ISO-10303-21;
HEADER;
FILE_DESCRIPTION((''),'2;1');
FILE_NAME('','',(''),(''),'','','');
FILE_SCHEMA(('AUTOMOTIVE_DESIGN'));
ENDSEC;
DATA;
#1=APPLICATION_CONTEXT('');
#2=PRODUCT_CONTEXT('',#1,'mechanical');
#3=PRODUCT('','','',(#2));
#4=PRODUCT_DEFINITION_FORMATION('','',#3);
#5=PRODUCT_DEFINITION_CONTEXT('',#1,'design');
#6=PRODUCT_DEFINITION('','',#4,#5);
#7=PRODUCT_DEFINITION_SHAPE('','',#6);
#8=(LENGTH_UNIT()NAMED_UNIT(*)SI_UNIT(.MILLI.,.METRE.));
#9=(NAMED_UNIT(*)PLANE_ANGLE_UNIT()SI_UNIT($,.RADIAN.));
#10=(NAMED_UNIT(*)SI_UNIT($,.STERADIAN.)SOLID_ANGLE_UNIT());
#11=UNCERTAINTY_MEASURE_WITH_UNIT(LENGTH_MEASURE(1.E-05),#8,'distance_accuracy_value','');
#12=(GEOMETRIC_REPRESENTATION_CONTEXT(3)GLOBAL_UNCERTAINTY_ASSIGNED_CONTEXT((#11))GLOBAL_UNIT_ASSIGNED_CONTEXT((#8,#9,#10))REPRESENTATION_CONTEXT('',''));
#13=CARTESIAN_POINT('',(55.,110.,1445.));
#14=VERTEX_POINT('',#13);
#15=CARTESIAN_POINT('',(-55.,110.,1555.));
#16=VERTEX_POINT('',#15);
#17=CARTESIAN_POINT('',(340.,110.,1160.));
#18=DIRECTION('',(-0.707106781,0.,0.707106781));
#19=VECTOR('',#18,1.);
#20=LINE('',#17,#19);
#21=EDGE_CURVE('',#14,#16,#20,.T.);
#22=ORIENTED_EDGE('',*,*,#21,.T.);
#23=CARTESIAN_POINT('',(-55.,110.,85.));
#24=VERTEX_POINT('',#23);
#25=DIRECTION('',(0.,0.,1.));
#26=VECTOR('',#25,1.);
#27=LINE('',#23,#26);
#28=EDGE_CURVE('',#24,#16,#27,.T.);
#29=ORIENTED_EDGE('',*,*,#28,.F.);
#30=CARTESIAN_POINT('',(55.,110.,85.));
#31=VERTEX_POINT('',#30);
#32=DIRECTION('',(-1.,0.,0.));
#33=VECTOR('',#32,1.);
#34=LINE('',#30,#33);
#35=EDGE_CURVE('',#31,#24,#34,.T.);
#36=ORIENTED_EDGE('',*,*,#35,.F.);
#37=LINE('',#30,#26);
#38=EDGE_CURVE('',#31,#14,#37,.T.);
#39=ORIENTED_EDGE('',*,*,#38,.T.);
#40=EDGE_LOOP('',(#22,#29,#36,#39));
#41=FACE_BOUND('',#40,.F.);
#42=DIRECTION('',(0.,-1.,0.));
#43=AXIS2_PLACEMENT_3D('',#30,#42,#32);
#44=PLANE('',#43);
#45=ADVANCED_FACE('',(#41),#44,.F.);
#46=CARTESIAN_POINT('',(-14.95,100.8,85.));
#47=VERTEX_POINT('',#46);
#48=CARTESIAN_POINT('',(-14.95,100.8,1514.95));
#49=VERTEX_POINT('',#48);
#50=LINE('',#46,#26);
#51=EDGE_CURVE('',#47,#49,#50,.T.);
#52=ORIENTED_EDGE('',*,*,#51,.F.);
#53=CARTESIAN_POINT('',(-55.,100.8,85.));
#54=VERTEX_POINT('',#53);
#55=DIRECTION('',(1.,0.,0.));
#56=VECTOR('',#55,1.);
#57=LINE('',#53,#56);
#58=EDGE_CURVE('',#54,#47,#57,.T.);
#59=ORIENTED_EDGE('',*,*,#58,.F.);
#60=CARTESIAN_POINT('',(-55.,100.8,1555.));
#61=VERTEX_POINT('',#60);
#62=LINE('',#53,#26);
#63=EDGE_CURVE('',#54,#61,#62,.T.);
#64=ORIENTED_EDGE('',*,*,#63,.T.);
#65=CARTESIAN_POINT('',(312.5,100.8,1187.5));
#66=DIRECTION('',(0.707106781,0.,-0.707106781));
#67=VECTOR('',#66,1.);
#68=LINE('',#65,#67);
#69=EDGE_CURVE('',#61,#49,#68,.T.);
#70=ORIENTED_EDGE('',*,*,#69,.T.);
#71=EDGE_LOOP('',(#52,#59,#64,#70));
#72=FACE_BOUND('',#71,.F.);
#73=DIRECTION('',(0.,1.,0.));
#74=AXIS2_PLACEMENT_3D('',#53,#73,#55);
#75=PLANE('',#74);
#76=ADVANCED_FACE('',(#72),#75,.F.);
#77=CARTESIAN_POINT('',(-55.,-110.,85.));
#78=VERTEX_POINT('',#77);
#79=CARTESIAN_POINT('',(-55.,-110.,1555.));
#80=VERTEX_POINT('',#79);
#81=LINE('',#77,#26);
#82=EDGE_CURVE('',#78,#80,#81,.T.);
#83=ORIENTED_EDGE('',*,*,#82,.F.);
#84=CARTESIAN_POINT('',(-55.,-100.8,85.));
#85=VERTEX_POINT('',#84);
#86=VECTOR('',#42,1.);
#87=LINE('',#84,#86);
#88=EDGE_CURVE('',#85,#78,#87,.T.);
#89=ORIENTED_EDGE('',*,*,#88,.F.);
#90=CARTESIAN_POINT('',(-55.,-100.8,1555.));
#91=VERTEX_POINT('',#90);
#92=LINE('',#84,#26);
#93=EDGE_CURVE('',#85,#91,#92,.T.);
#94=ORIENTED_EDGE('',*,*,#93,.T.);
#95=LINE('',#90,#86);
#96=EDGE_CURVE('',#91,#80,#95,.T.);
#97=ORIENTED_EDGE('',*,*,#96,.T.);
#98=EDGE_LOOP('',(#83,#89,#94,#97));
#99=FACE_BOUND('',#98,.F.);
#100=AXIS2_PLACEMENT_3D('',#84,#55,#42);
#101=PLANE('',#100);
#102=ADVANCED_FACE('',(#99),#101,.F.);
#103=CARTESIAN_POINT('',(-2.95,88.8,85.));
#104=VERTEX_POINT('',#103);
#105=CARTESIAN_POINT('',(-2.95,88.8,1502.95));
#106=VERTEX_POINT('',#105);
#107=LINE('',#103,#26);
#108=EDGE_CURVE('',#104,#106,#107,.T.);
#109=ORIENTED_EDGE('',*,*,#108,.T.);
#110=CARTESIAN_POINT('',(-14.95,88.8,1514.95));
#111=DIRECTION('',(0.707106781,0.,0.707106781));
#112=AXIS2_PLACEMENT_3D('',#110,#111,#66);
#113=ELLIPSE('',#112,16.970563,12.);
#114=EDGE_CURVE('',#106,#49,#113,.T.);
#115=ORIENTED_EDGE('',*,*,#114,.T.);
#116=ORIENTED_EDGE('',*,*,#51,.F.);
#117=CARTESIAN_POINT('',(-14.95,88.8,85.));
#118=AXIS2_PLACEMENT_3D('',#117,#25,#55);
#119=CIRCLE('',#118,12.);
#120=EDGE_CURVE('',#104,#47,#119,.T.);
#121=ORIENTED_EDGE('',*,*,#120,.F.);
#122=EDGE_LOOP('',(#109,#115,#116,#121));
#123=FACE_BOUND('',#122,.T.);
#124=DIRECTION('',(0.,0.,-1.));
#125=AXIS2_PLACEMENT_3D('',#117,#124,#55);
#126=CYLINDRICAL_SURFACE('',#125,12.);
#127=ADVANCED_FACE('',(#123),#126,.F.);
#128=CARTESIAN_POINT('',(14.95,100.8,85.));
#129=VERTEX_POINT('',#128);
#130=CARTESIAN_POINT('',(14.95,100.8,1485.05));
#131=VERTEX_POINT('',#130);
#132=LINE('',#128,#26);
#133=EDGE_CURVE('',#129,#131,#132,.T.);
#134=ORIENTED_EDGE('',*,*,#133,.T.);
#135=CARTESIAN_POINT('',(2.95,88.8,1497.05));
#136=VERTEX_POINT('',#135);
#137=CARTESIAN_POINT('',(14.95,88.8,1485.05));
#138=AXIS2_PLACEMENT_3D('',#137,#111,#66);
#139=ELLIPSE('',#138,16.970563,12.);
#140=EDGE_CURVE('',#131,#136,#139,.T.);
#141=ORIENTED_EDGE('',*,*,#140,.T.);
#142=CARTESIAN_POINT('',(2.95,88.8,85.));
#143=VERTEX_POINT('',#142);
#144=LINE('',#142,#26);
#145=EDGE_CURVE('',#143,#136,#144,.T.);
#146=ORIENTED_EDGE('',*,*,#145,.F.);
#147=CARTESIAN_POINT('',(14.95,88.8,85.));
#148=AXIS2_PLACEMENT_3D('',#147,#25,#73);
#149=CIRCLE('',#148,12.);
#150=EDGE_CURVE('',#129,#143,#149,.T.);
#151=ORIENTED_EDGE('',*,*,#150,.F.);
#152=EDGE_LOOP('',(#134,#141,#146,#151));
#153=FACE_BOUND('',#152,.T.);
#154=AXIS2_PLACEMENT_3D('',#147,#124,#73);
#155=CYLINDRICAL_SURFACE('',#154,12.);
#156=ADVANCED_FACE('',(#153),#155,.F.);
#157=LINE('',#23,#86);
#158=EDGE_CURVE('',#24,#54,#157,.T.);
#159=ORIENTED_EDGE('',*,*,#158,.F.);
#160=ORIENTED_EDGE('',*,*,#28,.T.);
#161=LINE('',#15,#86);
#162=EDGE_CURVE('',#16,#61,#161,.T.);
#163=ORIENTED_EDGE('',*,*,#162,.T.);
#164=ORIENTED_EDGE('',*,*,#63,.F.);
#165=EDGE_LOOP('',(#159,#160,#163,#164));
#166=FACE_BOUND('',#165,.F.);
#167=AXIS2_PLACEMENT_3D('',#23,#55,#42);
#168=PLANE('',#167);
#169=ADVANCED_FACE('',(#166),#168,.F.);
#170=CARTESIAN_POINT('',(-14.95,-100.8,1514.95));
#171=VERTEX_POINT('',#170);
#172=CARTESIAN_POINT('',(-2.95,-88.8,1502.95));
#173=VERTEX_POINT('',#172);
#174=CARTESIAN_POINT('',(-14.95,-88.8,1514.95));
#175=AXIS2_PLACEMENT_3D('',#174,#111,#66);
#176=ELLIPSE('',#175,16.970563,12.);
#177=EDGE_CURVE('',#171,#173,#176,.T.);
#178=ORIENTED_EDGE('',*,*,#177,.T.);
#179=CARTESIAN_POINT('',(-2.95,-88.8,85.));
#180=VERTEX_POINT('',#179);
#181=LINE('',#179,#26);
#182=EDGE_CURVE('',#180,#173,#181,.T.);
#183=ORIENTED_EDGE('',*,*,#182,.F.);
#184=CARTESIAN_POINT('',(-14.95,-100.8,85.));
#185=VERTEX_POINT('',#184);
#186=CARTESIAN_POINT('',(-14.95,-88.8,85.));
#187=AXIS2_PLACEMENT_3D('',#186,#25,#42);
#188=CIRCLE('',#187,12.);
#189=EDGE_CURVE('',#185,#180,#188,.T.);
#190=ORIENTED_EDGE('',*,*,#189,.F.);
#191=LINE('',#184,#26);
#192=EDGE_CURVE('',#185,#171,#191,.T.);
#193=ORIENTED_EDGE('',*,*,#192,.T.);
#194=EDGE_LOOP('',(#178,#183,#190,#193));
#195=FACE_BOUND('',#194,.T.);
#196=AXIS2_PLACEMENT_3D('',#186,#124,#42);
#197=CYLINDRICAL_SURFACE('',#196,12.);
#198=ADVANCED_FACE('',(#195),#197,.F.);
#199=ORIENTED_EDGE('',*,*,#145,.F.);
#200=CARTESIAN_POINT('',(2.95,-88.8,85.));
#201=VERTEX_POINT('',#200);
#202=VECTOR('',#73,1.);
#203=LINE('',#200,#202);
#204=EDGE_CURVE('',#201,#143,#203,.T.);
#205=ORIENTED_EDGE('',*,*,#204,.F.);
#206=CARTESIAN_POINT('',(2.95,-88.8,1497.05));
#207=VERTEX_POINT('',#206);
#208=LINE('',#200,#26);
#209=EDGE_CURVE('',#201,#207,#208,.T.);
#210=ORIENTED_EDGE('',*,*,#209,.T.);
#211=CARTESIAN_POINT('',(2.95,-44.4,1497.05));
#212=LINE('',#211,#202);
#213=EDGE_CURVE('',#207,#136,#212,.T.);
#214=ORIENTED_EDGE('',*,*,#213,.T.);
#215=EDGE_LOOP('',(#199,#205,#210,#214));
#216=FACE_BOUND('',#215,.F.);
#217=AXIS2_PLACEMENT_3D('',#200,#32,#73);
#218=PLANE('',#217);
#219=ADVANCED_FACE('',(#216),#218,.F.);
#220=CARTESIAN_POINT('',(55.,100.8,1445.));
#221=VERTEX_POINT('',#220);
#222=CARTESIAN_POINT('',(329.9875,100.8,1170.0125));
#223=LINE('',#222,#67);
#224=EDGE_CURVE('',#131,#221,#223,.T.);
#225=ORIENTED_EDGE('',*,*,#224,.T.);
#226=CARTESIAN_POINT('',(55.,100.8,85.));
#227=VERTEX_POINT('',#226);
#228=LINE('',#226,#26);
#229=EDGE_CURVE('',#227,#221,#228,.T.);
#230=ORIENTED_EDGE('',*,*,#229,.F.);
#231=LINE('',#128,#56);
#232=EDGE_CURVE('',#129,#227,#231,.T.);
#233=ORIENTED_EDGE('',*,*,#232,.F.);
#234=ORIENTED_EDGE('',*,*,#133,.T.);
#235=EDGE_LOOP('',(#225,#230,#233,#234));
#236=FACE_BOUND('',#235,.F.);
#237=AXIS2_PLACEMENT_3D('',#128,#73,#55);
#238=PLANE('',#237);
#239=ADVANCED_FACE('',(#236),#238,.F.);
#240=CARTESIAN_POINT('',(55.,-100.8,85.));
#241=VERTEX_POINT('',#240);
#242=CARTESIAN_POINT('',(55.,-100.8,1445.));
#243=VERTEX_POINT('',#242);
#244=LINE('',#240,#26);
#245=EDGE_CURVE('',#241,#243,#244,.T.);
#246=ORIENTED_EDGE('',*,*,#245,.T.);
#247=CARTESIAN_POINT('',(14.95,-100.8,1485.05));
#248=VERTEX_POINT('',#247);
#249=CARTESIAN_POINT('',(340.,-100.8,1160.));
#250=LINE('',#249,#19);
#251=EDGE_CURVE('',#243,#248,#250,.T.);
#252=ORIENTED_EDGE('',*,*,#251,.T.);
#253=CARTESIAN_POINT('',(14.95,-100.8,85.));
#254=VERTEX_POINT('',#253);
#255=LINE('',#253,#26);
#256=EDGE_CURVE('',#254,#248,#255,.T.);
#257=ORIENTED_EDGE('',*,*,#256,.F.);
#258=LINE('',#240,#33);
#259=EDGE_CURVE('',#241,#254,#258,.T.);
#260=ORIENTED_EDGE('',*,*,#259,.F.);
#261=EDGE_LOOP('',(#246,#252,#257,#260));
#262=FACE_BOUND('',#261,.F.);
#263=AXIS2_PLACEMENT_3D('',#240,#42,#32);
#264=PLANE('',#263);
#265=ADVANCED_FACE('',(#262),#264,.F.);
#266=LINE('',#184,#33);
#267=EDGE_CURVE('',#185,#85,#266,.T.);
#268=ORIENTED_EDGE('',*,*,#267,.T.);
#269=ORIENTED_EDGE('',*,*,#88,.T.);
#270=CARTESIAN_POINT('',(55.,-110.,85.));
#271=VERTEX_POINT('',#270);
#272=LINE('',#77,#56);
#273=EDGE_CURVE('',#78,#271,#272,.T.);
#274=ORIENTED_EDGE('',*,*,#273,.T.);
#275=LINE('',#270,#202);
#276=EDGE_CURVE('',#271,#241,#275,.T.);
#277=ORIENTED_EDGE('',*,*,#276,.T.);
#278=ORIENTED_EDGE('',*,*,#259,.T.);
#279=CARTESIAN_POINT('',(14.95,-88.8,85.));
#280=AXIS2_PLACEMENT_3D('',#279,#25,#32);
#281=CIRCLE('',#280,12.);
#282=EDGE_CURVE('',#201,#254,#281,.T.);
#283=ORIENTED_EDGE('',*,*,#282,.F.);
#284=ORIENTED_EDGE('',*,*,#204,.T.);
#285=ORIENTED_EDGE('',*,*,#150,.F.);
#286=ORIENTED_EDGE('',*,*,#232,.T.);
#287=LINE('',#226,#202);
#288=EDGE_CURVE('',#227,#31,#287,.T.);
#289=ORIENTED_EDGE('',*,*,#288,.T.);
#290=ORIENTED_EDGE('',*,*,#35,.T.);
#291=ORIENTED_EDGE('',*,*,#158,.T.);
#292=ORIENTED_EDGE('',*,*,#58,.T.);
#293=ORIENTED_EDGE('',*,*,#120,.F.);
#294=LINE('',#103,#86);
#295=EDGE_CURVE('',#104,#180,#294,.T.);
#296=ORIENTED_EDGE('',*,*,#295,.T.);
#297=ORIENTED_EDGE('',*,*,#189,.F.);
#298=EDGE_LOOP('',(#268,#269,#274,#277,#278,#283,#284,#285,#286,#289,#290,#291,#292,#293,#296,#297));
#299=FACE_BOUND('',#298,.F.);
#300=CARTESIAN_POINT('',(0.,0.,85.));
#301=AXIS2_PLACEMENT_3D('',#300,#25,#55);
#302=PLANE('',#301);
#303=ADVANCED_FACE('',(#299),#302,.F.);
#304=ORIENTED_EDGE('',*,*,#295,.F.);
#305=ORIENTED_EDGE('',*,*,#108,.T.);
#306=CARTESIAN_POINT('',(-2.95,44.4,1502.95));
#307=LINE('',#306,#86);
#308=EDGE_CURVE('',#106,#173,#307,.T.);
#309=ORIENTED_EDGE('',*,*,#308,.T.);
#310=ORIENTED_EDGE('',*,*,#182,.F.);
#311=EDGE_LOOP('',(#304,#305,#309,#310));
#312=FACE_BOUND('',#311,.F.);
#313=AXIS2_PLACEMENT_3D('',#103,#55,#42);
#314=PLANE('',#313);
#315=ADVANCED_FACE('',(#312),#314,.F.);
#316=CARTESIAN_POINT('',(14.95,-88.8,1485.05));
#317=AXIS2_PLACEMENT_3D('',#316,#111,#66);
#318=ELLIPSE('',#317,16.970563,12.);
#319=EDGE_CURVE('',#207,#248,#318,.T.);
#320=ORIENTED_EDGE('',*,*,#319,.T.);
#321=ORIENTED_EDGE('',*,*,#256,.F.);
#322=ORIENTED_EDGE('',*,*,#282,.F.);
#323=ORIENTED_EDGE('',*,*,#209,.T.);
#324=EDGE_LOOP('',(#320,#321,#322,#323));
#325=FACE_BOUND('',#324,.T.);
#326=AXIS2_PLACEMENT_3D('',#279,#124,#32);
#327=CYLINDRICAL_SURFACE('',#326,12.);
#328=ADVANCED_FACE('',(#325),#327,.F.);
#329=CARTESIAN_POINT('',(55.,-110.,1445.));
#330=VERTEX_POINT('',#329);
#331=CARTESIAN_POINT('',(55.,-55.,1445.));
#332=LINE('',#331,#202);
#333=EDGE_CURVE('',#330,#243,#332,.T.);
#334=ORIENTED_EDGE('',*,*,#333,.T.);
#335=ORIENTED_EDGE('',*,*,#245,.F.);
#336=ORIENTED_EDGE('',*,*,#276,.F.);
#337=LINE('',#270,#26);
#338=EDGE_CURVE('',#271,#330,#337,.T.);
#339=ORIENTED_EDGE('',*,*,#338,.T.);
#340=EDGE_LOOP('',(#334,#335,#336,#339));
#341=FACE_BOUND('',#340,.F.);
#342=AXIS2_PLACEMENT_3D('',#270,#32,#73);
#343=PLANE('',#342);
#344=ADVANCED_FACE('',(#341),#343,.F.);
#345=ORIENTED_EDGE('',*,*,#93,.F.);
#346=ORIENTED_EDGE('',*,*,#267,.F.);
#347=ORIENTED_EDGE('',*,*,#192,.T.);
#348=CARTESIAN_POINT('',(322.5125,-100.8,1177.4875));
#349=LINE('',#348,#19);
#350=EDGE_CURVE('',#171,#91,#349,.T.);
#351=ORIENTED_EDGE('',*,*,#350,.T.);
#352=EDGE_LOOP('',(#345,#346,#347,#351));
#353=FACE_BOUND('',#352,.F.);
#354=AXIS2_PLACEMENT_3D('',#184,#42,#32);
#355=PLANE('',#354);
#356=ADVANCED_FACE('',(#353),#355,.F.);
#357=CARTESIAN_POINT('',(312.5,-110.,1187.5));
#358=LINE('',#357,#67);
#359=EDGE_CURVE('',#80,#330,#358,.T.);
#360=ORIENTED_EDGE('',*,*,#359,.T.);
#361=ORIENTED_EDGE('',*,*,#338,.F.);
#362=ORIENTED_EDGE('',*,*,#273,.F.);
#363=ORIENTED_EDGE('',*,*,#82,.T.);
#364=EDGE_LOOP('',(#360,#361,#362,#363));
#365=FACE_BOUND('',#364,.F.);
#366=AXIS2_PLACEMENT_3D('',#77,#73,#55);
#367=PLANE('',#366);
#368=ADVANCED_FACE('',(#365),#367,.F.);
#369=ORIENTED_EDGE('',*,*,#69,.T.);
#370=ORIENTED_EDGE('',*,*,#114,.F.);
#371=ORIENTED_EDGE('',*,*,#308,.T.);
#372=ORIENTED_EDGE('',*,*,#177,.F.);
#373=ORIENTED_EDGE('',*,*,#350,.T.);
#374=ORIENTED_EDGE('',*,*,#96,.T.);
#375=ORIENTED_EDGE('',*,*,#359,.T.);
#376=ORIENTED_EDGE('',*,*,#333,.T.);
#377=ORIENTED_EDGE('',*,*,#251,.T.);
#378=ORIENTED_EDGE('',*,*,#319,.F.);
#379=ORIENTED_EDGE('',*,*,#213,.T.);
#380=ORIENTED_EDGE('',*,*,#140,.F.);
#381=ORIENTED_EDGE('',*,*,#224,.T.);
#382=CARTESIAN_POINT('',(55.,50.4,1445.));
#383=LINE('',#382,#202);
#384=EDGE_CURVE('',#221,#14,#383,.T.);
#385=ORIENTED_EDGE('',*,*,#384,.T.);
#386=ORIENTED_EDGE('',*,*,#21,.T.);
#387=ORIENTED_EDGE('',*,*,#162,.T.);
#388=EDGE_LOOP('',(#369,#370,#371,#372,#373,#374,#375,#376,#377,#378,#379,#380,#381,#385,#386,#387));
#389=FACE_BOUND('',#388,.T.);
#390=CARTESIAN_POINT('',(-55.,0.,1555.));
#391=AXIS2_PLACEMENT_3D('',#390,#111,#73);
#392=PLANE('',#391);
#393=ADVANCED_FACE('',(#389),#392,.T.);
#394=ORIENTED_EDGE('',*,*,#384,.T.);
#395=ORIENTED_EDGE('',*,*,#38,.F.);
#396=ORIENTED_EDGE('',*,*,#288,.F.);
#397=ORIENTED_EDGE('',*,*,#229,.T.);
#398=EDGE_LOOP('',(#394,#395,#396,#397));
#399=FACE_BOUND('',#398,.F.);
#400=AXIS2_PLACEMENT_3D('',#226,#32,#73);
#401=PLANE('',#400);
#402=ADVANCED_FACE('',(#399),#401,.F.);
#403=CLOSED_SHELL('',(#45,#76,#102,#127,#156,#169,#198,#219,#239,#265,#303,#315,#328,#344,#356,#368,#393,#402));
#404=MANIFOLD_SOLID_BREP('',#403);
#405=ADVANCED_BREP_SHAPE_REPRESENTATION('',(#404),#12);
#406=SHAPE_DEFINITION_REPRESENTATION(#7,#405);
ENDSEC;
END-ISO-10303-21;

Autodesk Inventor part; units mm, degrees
ref_plane "Start plane" through (0, 0, 85) normal (0, 0, 1) x (1, 0, 0)
ref_plane "End plane" through (0, 0, 1555) normal (0, 0, 1) x (1, 0, 0)
sketch "Sketch2" plane through (0, 0, 0) normal (0, 0, 1) x (1, 0, 0)
  line L0 (-55, 100.8) -> (-14.95, 100.8)
  line L1 (-55, 110) -> (-55, 100.8)
  line L2 (55, 110) -> (-55, 110)
  line L3 (55, 100.8) -> (55, 110)
  line L4 (14.95, 100.8) -> (55, 100.8)
  line L5 (2.95, -88.8) -> (2.95, 88.8)
  line L6 (55, -100.8) -> (14.95, -100.8)
  line L7 (55, -110) -> (55, -100.8)
  line L8 (-55, -100.8) -> (-55, -110)
  line L9 (-14.95, -100.8) -> (-55, -100.8)
  line L10 (-2.95, 88.8) -> (-2.95, -88.8)
  line L11 (0, -154) -> (0, 154) construction
  line L12 (-2.95, -100.8) -> (2.95, -100.8) construction
  arc A0 (-14.95, -100.8) -> (-2.95, -88.8) centre (-14.95, -88.8) ccw
  arc A1 (-2.95, 88.8) -> (-14.95, 100.8) centre (-14.95, 88.8) ccw
  arc A2 (14.95, 100.8) -> (2.95, 88.8) centre (14.95, 88.8) ccw
  arc A3 (2.95, -88.8) -> (14.95, -100.8) centre (14.95, -88.8) ccw
  line L13 (-77, 0) -> (77, 0) construction
  line L14 (-55, -110) -> (55, -110)
  point P0 (-2.95, 100.8)
  point P1 (2.95, 100.8)
  point P2 (0, 0)
  point P3 (0, -100.8)
  point P4 (0, 0)
  dimension "d1" = 220
  dimension "d3" = 9.2
  dimension "d5" = 5.9
  dimension "d7" = 110
  dimension "d13" = 12
  dimension "d14" = 110
  dimension "d15" = 55
extrude "Body" add sketch "Sketch2" along normal up to surface (1470 mm away) from surface at 85
sketch "Sketch3" plane through (0, 0, 0) normal (0, 0, 1) x (1, 0, 0)
  line L0 (0, 0) -> (10, 0)
ref_plane "Work Plane3" through (0, 0, 0) normal (0, -1, 0) x (1, 0, 0)
ref_plane "Work Plane4" through (-55, 0, 1555) normal (0.7071, 0, 0.7071) x (0.7071, 0, -0.7071)
split "Split1" plane through (-55, 0, 1555) removes the side toward (0.7071, 0, 0.7071)
ref_plane "Work Plane5" through (0, 4000, 85) normal (0, 0, -1) x (-1, 0, 0)
split "Split2" plane through (0, 4000, 85) removes the side toward (0, 0, -1)
sketch "Sketch4" plane through (0, 0, 0) normal (0, -1, 0) x (1, 0, 0)
  line L0 (-2, 85) -> (12, 85) projected
  line L1 (-2, 1555) -> (12, 1555) projected
  dimension "d19" = 1470
equation "\"d1\" = ParH"
equation "\"d3\" = t2"
equation "\"d5\" = t1"
equation "\"d7\" = b"
equation "\"d13\" = R1"
equation "\"d14\" = 0.5 * d1"
equation "\"d15\" = 0.5 * d7"
equation "\"d8\" = G_L"
equation "\"b\" = 110"
equation "\"ParH\" = 220"
equation "\"R1\" = 12"
equation "\"G_L\" = d19"
equation "\"t1\" = 5.9"
equation "\"t2\" = 9.2"
equation "\"G_OFFSET_START\" = -85"
equation "\"G_OFFSET_END\" = 55"
equation "\"d16\" = -G_OFFSET_START"
equation "\"d17\" = G_OFFSET_END + B_L"
equation "\"B_L\" = 1500"
properties part number "DIN 1025 - IPE 220-1470" material "Steel, Mild"
